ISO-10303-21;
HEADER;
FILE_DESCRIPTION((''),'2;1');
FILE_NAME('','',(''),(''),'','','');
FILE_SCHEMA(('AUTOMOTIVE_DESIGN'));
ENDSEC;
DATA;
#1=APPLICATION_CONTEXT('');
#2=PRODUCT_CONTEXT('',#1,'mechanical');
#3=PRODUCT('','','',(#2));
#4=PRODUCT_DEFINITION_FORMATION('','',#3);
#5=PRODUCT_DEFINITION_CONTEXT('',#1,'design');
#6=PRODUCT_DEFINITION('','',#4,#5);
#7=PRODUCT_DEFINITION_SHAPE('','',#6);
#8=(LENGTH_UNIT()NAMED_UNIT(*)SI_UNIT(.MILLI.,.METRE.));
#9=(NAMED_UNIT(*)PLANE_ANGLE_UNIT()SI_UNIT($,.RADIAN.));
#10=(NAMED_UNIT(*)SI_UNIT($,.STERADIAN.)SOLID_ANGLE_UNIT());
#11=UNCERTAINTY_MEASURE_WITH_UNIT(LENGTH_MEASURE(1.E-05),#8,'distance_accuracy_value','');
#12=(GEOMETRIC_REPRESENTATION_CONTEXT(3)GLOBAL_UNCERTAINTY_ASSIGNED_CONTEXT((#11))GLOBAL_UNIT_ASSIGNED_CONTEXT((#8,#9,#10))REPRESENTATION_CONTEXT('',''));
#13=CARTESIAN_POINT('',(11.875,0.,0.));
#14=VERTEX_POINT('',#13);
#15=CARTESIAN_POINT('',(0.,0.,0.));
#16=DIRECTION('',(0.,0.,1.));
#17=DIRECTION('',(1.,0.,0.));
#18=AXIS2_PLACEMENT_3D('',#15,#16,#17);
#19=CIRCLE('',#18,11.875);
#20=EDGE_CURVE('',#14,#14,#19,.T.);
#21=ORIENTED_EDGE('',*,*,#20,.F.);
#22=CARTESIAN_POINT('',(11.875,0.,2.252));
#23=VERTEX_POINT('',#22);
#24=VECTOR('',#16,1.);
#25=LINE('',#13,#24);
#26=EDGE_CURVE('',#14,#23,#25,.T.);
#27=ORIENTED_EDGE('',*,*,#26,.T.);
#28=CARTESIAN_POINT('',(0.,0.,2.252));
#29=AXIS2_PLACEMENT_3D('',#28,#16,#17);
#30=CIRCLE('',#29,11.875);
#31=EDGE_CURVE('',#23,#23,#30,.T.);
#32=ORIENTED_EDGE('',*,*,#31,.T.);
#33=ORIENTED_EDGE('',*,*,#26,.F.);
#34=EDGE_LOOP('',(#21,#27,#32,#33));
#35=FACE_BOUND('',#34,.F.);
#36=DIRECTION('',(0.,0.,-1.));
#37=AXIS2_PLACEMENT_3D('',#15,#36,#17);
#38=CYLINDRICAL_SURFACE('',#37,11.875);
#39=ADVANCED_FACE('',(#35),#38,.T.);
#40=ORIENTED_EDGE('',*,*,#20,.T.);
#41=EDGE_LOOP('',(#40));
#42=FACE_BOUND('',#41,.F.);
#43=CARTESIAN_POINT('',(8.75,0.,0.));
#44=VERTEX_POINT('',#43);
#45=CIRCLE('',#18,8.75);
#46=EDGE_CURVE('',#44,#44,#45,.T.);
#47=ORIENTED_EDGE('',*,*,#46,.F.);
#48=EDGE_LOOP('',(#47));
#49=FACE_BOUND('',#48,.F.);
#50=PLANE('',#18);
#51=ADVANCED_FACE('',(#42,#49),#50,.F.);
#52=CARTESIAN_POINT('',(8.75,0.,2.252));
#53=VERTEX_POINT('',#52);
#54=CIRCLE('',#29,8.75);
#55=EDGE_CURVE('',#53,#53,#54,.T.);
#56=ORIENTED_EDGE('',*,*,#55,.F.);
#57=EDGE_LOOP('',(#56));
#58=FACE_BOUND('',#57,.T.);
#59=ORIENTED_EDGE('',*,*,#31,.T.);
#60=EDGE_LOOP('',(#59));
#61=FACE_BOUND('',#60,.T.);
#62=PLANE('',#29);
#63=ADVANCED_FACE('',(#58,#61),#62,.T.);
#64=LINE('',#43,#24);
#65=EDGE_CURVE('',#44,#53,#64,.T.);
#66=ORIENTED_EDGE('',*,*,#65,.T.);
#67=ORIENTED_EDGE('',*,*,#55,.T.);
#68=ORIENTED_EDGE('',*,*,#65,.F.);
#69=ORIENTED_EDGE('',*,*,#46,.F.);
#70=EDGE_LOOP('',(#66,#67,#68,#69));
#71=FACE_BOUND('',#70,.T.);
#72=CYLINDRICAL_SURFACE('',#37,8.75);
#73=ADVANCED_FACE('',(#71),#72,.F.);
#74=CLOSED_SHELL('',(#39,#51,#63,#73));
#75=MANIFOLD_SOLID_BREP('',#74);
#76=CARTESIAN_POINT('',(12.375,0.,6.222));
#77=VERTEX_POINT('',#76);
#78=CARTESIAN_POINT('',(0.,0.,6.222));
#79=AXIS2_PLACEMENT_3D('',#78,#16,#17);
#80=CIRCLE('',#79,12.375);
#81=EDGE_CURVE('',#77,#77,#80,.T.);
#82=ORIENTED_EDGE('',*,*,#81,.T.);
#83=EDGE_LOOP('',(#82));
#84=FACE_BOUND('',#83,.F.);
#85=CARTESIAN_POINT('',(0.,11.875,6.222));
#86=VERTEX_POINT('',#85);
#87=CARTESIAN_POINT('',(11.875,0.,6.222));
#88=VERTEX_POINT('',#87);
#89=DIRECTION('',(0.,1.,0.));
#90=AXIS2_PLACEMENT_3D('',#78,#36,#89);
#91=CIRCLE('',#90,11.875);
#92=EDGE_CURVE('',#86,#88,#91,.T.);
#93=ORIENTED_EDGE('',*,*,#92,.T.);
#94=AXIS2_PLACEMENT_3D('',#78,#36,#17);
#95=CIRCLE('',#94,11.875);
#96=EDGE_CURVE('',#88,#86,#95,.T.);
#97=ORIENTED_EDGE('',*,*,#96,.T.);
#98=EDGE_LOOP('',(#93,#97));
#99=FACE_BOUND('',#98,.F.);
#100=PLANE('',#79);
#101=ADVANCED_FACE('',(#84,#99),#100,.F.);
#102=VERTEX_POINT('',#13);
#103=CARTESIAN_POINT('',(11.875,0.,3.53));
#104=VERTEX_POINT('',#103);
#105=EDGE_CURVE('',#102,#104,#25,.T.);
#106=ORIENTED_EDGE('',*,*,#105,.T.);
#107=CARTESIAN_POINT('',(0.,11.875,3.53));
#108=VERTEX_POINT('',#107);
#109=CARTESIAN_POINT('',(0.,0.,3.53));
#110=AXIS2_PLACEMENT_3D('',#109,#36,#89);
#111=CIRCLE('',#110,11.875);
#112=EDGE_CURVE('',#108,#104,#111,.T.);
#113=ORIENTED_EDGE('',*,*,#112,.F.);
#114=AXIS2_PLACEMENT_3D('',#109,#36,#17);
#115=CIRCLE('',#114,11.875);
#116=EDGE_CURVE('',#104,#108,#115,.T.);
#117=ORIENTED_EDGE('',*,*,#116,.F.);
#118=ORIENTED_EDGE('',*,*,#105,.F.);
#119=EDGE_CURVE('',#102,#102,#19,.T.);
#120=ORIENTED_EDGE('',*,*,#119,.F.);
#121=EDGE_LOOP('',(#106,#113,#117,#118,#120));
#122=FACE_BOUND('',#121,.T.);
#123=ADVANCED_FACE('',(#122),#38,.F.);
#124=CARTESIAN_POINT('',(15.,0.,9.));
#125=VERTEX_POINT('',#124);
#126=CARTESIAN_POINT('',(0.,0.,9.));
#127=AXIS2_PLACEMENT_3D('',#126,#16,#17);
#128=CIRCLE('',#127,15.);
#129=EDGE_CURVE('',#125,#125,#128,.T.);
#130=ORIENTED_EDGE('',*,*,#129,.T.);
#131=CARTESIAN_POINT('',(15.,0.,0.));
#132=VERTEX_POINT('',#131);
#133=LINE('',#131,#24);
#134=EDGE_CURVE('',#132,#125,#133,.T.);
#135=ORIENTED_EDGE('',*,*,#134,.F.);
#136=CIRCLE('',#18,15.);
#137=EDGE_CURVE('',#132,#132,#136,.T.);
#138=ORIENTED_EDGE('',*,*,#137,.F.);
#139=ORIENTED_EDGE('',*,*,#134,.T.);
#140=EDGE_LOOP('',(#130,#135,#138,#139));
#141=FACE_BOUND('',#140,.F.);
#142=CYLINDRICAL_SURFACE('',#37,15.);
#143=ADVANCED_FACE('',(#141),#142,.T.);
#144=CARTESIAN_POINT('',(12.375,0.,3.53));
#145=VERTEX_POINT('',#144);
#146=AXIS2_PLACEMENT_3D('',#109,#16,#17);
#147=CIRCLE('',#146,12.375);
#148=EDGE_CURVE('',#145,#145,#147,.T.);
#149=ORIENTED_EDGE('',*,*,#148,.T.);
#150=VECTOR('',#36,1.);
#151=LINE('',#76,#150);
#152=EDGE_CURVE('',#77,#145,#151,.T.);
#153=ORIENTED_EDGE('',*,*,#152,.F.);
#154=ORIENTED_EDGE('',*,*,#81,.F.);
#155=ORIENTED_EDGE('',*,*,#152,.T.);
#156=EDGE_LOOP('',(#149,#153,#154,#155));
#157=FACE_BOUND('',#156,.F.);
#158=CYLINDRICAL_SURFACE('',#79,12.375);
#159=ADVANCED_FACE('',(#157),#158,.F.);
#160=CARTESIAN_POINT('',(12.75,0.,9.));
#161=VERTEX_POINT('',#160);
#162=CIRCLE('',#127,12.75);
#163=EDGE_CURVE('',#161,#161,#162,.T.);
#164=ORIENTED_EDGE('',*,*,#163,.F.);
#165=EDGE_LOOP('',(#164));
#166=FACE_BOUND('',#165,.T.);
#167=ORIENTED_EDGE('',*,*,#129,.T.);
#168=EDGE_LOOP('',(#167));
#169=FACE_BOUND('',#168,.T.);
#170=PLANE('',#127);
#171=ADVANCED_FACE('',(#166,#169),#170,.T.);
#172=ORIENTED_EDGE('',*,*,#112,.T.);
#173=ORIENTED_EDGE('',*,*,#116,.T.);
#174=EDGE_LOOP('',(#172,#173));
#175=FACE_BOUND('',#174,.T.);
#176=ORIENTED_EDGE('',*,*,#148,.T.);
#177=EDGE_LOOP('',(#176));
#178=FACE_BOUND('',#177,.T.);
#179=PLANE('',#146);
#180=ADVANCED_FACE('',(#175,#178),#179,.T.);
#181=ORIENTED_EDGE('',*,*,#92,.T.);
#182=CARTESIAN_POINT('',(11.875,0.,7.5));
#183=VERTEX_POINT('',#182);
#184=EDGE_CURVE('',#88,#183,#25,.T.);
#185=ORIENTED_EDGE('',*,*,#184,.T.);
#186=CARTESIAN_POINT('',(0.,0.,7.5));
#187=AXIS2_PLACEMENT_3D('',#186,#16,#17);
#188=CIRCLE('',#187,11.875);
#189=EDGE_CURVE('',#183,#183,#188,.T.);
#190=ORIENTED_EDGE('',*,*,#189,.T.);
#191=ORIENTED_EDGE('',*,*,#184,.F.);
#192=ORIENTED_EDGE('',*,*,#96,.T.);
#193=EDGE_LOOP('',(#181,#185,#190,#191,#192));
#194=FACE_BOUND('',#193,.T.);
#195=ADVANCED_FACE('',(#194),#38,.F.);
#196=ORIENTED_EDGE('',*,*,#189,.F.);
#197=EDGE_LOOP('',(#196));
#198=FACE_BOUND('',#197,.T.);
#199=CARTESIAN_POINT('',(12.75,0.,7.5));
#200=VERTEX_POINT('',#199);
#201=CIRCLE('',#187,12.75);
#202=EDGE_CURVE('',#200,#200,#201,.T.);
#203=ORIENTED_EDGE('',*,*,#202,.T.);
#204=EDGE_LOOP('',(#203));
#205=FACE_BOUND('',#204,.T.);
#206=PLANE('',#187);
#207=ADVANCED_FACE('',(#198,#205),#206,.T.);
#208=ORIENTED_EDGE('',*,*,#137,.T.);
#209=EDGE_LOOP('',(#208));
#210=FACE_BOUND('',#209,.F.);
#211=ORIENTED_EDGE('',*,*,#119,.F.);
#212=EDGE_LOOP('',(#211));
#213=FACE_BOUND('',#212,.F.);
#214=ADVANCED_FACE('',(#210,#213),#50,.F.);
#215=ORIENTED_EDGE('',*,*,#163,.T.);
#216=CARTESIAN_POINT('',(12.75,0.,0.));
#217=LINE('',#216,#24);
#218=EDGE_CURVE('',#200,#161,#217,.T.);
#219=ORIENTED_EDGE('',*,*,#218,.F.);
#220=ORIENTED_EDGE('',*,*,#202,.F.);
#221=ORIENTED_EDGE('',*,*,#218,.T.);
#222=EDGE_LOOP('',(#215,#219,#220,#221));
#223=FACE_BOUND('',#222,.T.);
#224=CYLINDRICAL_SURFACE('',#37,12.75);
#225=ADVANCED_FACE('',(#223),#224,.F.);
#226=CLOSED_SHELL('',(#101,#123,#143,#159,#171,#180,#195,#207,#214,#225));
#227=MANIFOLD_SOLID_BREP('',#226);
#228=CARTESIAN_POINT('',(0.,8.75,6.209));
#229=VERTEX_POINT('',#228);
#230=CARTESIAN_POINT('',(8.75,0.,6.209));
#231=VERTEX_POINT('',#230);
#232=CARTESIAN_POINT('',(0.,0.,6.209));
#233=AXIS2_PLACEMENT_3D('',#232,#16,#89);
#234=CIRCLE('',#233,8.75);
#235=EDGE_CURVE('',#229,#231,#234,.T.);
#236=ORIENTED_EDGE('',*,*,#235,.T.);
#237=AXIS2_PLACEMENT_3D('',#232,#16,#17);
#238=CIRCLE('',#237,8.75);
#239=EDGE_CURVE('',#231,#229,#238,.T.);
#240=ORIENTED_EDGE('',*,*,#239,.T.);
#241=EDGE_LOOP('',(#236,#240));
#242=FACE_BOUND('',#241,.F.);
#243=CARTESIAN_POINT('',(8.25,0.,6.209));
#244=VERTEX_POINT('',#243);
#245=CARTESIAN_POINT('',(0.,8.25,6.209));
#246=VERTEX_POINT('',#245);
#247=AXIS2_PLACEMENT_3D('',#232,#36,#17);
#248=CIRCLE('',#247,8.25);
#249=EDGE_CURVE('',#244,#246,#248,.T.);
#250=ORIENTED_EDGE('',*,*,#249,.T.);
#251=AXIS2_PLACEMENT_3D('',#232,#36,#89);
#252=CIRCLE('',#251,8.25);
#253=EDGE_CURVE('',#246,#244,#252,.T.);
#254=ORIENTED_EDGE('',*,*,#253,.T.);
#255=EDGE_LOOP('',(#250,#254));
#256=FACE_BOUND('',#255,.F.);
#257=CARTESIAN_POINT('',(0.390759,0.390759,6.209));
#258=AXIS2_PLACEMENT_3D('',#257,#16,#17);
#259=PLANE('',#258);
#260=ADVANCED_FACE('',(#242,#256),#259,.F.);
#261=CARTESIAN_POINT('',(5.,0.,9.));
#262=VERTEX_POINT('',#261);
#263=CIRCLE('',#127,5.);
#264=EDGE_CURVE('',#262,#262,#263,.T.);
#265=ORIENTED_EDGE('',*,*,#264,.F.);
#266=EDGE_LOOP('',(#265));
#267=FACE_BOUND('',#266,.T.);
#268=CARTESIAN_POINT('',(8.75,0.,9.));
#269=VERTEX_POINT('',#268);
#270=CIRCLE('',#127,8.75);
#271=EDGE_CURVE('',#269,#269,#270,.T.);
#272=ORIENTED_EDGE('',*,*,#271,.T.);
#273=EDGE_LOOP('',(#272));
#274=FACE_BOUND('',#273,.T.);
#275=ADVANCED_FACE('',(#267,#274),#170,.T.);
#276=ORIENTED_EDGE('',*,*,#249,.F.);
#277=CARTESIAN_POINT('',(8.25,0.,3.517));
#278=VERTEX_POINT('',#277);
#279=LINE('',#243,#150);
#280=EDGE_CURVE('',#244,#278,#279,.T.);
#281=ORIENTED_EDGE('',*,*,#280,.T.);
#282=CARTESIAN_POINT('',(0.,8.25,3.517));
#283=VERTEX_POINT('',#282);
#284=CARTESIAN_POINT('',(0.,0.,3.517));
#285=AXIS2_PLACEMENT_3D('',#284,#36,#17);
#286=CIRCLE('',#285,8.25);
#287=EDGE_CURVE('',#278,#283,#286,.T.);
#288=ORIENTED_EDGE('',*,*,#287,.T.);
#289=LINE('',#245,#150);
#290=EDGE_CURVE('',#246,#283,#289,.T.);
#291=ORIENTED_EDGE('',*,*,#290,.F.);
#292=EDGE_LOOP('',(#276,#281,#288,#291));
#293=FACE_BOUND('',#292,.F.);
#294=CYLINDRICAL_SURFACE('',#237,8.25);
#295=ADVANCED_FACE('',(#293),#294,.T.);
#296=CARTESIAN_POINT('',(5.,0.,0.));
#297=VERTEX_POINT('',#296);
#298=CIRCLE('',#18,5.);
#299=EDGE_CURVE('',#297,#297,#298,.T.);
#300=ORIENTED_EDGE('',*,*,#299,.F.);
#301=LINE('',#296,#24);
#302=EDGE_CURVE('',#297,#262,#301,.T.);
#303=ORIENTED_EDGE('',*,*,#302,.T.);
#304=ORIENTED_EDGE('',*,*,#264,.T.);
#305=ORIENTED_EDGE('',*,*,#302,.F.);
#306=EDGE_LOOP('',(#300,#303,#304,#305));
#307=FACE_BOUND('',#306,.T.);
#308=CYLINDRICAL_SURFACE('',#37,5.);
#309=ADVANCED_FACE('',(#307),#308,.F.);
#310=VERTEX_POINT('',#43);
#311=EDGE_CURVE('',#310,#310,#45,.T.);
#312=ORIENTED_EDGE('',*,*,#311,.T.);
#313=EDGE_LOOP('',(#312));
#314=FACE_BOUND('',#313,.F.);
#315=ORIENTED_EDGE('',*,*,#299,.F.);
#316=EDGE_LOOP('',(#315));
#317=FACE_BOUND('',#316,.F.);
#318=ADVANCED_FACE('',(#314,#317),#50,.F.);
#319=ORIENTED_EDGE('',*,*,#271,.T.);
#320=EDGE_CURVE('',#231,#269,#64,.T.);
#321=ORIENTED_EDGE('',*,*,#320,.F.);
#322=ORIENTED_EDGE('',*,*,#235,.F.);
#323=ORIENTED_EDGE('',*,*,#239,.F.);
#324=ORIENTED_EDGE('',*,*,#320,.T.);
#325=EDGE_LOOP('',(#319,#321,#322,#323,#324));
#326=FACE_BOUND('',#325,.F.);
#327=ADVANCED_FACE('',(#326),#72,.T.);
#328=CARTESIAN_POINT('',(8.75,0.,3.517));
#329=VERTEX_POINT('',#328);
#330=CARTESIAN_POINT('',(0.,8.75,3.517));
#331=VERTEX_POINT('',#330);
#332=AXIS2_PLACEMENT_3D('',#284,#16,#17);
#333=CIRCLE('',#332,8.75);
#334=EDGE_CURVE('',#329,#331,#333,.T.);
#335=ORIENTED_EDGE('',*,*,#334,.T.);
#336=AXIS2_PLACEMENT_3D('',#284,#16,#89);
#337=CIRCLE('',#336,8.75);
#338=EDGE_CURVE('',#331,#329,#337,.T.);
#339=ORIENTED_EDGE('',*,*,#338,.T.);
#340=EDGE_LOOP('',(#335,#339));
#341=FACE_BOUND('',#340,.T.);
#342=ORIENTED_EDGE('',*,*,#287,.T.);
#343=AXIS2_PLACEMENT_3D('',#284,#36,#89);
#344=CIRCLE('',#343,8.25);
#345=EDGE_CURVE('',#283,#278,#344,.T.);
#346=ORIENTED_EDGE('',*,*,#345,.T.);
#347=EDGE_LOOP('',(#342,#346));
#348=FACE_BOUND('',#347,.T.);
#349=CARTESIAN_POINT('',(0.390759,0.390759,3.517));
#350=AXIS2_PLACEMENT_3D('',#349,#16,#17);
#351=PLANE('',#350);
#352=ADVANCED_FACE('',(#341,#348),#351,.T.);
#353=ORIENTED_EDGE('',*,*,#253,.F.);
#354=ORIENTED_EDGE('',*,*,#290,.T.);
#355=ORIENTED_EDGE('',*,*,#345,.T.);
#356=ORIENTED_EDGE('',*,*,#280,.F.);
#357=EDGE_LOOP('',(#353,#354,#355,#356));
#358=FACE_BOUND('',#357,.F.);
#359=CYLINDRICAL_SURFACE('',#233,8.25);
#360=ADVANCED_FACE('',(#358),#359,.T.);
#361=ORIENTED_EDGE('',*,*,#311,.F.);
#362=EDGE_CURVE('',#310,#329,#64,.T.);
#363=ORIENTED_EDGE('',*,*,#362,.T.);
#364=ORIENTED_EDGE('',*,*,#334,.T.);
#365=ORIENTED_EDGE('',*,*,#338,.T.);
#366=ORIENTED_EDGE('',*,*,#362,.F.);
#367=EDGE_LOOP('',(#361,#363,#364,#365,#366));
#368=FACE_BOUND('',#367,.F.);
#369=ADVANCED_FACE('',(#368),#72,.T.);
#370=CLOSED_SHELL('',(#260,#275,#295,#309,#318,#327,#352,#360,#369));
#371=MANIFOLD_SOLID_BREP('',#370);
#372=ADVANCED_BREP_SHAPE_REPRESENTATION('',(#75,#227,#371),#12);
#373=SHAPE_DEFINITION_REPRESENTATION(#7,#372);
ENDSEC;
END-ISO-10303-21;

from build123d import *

# Parameters (mm, degrees)
F0_R     = 15
F0_R_2   = 12.75
F1_DEPTH = 9
F0_R_3   = 8.75
F0_R_4   = 5
F0_R_5   = 11.875
F2_DEPTH = 7.5
F3_DEPTH = 2.252
F5_START = -1.278
F4_R     = 12.375
F5_DEPTH = 2.692
F7_START = -2.791
F7_DEPTH = 2.692


with BuildPart() as f1:
    # F0 (on Top) → F1 (new body)
    with BuildSketch(Plane.XY):
        Circle(F0_R)
        Circle(F0_R_2, mode=Mode.SUBTRACT)
    extrude(amount=F1_DEPTH)

    # F0 (on Top) → F2 (join)
    with BuildSketch(Plane.XY):
        Circle(F0_R_2)
        Circle(F0_R_5, mode=Mode.SUBTRACT)
    extrude(amount=F2_DEPTH)

    # F4 (on face) → F5 (cut)
    with BuildSketch(Plane.XY.offset(7.5).offset(F5_START)):
        Circle(F4_R)
        with BuildLine():
            ThreePointArc((0, 11.875), (8.3968930266, 8.3968930266), (11.875, 0))
            ThreePointArc((11.875, 0), (-8.3968930266, -8.3968930266), (0, 11.875))
        make_face(mode=Mode.SUBTRACT)
    extrude(amount=-F5_DEPTH, mode=Mode.SUBTRACT)


with BuildPart() as f1b:
    # F0 (on Top) → F1, piece 2 (new body)
    with BuildSketch(Plane.XY):
        Circle(F0_R_3)
        Circle(F0_R_4, mode=Mode.SUBTRACT)
    extrude(amount=F1_DEPTH)

    # F6 (on face) → F7 (cut)
    with BuildSketch(Plane.XY.offset(9).offset(F7_START)):
        with BuildLine():
            ThreePointArc((8.75, 0), (6.1871843354, 6.1871843354), (0, 8.75))
            ThreePointArc((0, 8.75), (-6.1871843354, -6.1871843354), (8.75, 0))
        make_face()
        with BuildLine():
            ThreePointArc((8.25, 0), (-5.8336309448, -5.8336309448), (0, 8.25))
            ThreePointArc((0, 8.25), (5.8336309448, 5.8336309448), (8.25, 0))
        make_face(mode=Mode.SUBTRACT)
    extrude(amount=-F7_DEPTH, mode=Mode.SUBTRACT)


with BuildPart() as f3:
    # F0 (on Top) → F3 (new body)
    with BuildSketch(Plane.XY):
        Circle(F0_R_5)
        Circle(F0_R_3, mode=Mode.SUBTRACT)
    extrude(amount=F3_DEPTH)


solid = Compound([f1.part, f1b.part, f3.part])
